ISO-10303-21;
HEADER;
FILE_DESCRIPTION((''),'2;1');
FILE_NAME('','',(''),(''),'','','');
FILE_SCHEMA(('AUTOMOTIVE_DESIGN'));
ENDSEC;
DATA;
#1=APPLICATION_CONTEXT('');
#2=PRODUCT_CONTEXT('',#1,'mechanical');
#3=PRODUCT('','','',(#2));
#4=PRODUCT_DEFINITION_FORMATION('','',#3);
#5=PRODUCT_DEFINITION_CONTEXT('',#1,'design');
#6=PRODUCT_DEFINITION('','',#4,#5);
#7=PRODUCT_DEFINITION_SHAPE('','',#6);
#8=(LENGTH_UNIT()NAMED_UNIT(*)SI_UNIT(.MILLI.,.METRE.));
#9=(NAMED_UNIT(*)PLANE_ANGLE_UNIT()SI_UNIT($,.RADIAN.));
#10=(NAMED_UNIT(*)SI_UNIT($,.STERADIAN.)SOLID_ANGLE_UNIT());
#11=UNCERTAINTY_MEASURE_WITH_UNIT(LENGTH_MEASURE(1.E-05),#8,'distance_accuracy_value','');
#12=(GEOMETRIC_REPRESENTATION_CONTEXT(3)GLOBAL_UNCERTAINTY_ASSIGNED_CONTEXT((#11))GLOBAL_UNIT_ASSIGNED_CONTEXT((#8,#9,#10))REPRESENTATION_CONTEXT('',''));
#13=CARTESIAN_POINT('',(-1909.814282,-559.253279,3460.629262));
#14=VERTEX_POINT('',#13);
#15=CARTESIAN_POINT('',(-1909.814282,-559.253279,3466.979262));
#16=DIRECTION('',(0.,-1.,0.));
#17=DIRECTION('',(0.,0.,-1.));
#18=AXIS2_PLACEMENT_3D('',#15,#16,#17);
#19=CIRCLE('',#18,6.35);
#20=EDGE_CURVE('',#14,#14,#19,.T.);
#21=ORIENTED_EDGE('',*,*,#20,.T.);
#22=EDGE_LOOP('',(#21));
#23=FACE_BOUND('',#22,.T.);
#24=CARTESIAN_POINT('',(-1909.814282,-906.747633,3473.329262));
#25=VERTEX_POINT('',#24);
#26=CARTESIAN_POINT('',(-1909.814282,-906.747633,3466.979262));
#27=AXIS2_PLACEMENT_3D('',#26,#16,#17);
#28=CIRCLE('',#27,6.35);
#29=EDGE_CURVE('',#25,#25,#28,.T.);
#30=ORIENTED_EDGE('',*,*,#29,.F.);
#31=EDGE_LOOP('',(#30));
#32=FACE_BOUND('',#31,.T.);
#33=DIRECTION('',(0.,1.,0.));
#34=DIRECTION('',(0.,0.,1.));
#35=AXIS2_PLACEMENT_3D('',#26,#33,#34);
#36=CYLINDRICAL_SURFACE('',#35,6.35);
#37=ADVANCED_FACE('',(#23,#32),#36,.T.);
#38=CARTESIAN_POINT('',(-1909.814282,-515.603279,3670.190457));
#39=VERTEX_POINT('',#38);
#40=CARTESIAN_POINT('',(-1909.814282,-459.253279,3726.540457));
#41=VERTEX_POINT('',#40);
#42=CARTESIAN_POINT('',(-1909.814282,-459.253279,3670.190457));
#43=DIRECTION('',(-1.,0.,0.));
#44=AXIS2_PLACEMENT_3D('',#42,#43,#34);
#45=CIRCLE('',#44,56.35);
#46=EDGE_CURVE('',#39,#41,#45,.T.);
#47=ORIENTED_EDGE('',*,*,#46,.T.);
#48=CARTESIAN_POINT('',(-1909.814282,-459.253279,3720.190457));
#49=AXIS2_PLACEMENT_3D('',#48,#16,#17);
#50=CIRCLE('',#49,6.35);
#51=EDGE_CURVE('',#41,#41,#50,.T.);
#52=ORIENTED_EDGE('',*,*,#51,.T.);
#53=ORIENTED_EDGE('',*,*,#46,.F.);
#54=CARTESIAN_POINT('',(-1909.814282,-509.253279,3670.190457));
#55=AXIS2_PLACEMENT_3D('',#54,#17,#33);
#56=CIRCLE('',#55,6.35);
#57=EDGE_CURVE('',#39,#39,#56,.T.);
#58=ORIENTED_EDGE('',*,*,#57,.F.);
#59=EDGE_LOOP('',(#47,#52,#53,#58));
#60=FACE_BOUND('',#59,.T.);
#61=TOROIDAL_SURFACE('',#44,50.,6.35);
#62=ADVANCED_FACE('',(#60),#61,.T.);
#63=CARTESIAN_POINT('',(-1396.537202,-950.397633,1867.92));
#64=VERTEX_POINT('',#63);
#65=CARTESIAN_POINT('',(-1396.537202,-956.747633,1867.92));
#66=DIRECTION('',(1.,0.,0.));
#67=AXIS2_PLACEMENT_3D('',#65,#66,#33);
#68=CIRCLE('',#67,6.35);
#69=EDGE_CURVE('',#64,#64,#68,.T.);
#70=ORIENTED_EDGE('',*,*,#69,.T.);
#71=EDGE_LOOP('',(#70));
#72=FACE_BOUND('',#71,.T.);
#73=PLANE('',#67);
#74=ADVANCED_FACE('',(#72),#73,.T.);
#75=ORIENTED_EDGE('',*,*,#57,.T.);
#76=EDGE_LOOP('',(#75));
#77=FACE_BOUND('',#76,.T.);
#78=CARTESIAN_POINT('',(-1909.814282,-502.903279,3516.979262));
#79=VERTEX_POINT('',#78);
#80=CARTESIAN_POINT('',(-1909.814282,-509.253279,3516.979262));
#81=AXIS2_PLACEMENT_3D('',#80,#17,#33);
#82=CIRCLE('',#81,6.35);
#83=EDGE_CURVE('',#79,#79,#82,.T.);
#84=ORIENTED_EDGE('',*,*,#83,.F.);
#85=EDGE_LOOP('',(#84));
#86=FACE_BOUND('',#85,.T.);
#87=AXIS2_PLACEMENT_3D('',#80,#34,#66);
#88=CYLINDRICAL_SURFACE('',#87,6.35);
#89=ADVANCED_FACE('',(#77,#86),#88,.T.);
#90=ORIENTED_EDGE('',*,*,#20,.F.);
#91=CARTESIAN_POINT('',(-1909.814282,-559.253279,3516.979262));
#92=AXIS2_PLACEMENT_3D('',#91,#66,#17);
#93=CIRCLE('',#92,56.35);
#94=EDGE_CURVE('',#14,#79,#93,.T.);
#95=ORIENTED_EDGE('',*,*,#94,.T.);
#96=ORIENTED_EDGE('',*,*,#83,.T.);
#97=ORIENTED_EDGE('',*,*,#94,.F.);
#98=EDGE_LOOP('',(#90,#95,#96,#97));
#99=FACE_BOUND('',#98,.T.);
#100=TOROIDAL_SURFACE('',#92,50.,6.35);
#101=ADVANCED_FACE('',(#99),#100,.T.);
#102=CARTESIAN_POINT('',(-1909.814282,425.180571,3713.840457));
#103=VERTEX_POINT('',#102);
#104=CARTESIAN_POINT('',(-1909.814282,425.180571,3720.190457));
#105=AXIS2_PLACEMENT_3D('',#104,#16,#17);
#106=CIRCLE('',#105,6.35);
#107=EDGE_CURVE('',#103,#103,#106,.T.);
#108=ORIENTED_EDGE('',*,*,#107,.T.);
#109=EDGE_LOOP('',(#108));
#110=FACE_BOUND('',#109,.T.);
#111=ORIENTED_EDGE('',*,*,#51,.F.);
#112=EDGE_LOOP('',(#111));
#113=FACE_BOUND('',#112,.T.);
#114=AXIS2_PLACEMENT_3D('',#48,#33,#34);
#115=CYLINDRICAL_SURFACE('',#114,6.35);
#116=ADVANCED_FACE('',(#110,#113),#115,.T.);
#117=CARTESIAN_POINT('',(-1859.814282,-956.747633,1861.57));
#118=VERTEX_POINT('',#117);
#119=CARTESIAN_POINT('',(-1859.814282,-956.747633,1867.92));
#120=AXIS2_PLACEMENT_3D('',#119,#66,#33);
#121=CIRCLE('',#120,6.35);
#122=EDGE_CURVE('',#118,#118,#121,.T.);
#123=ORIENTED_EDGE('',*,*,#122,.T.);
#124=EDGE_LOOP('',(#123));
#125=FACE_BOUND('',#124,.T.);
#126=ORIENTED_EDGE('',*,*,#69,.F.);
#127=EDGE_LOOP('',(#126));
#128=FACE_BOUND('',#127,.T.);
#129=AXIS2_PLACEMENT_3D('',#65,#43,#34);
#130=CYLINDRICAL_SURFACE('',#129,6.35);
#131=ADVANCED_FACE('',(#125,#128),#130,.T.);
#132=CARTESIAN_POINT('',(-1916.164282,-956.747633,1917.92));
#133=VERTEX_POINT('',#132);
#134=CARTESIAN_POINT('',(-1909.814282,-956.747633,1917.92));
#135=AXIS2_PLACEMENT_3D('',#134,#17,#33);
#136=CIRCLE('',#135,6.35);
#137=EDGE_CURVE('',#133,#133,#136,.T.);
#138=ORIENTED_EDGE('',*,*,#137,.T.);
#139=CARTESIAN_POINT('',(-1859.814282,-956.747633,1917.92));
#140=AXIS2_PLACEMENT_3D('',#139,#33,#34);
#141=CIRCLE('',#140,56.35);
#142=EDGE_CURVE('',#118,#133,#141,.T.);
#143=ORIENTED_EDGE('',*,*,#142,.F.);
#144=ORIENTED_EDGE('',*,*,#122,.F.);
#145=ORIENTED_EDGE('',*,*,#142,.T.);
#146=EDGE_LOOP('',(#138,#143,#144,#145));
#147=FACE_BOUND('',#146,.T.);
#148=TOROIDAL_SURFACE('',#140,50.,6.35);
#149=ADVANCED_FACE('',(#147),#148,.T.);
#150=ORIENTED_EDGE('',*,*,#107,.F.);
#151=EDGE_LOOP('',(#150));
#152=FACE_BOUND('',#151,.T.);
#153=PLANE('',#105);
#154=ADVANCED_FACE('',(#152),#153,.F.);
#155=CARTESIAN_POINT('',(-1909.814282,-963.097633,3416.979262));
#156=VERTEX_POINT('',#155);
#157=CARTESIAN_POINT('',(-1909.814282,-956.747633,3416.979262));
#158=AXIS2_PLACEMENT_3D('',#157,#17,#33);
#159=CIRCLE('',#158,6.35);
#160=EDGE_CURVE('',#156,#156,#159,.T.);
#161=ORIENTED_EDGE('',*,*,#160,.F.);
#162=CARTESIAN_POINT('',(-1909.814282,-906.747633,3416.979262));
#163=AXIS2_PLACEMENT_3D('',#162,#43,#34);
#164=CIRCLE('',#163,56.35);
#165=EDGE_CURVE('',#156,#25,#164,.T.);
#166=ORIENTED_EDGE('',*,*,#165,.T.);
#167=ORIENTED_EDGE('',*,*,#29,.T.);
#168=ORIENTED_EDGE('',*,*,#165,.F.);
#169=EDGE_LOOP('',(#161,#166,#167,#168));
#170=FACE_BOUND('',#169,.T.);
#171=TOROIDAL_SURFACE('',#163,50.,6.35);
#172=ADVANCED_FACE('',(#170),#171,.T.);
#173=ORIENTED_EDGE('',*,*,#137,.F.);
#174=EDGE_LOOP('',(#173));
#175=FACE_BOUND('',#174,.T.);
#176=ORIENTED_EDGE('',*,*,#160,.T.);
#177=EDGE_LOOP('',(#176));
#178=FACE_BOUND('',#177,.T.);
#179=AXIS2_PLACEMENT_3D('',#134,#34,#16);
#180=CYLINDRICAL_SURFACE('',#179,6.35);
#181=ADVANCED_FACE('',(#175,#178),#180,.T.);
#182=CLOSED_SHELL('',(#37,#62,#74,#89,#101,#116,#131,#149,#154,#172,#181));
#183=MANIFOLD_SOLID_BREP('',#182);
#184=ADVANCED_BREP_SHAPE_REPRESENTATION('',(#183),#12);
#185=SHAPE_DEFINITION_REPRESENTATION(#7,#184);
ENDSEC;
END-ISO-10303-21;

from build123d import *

# Parameters (mm, degrees)
BARRER2_PROFILE_R = 6.35


with BuildPart() as part:
    # Barrer2: sweep along a curve in space
    with BuildLine() as barrer2_path:
        Line((-1396.537201922, -956.74763274, 1867.92), (-1859.814281992, -956.74763274, 1867.92))
        ThreePointArc((-1859.814281992, -956.74763274, 1867.92), (-1895.169621052, -956.74763274, 1882.564660941), (-1909.814281992, -956.74763274, 1917.92))
        Line((-1909.814281992, -956.74763274, 1917.92), (-1909.814281992, -956.74763274, 3416.979261902))
        ThreePointArc((-1909.814281992, -956.74763274, 3416.979261902), (-1909.814281992, -942.102971799, 3452.334600961), (-1909.814281992, -906.74763274, 3466.979261902))
        Line((-1909.814281992, -906.74763274, 3466.979261902), (-1909.814281992, -559.253278673, 3466.979261902))
        ThreePointArc((-1909.814281992, -559.253278673, 3466.979261902), (-1909.814281992, -523.897939613, 3481.623922843), (-1909.814281992, -509.253278673, 3516.979261902))
        Line((-1909.814281992, -509.253278673, 3516.979261902), (-1909.814281992, -509.253278673, 3670.190456999))
        ThreePointArc((-1909.814281992, -509.253278673, 3670.190456999), (-1909.814281992, -494.608617732, 3705.545796059), (-1909.814281992, -459.253278673, 3720.190456999))
        Line((-1909.814281992, -459.253278673, 3720.190456999), (-1909.814281992, 425.180570664, 3720.190456999))
    # Barrer2 profile (on start of the path) → Barrer2 (sweep)
    with BuildSketch(Plane(origin=(-1396.537201922, -956.74763274, 1867.92), x_dir=(0, 0, -1), z_dir=(-1, 0, 0))):
        Circle(BARRER2_PROFILE_R)
    sweep(path=barrer2_path.line)


solid = part.part
